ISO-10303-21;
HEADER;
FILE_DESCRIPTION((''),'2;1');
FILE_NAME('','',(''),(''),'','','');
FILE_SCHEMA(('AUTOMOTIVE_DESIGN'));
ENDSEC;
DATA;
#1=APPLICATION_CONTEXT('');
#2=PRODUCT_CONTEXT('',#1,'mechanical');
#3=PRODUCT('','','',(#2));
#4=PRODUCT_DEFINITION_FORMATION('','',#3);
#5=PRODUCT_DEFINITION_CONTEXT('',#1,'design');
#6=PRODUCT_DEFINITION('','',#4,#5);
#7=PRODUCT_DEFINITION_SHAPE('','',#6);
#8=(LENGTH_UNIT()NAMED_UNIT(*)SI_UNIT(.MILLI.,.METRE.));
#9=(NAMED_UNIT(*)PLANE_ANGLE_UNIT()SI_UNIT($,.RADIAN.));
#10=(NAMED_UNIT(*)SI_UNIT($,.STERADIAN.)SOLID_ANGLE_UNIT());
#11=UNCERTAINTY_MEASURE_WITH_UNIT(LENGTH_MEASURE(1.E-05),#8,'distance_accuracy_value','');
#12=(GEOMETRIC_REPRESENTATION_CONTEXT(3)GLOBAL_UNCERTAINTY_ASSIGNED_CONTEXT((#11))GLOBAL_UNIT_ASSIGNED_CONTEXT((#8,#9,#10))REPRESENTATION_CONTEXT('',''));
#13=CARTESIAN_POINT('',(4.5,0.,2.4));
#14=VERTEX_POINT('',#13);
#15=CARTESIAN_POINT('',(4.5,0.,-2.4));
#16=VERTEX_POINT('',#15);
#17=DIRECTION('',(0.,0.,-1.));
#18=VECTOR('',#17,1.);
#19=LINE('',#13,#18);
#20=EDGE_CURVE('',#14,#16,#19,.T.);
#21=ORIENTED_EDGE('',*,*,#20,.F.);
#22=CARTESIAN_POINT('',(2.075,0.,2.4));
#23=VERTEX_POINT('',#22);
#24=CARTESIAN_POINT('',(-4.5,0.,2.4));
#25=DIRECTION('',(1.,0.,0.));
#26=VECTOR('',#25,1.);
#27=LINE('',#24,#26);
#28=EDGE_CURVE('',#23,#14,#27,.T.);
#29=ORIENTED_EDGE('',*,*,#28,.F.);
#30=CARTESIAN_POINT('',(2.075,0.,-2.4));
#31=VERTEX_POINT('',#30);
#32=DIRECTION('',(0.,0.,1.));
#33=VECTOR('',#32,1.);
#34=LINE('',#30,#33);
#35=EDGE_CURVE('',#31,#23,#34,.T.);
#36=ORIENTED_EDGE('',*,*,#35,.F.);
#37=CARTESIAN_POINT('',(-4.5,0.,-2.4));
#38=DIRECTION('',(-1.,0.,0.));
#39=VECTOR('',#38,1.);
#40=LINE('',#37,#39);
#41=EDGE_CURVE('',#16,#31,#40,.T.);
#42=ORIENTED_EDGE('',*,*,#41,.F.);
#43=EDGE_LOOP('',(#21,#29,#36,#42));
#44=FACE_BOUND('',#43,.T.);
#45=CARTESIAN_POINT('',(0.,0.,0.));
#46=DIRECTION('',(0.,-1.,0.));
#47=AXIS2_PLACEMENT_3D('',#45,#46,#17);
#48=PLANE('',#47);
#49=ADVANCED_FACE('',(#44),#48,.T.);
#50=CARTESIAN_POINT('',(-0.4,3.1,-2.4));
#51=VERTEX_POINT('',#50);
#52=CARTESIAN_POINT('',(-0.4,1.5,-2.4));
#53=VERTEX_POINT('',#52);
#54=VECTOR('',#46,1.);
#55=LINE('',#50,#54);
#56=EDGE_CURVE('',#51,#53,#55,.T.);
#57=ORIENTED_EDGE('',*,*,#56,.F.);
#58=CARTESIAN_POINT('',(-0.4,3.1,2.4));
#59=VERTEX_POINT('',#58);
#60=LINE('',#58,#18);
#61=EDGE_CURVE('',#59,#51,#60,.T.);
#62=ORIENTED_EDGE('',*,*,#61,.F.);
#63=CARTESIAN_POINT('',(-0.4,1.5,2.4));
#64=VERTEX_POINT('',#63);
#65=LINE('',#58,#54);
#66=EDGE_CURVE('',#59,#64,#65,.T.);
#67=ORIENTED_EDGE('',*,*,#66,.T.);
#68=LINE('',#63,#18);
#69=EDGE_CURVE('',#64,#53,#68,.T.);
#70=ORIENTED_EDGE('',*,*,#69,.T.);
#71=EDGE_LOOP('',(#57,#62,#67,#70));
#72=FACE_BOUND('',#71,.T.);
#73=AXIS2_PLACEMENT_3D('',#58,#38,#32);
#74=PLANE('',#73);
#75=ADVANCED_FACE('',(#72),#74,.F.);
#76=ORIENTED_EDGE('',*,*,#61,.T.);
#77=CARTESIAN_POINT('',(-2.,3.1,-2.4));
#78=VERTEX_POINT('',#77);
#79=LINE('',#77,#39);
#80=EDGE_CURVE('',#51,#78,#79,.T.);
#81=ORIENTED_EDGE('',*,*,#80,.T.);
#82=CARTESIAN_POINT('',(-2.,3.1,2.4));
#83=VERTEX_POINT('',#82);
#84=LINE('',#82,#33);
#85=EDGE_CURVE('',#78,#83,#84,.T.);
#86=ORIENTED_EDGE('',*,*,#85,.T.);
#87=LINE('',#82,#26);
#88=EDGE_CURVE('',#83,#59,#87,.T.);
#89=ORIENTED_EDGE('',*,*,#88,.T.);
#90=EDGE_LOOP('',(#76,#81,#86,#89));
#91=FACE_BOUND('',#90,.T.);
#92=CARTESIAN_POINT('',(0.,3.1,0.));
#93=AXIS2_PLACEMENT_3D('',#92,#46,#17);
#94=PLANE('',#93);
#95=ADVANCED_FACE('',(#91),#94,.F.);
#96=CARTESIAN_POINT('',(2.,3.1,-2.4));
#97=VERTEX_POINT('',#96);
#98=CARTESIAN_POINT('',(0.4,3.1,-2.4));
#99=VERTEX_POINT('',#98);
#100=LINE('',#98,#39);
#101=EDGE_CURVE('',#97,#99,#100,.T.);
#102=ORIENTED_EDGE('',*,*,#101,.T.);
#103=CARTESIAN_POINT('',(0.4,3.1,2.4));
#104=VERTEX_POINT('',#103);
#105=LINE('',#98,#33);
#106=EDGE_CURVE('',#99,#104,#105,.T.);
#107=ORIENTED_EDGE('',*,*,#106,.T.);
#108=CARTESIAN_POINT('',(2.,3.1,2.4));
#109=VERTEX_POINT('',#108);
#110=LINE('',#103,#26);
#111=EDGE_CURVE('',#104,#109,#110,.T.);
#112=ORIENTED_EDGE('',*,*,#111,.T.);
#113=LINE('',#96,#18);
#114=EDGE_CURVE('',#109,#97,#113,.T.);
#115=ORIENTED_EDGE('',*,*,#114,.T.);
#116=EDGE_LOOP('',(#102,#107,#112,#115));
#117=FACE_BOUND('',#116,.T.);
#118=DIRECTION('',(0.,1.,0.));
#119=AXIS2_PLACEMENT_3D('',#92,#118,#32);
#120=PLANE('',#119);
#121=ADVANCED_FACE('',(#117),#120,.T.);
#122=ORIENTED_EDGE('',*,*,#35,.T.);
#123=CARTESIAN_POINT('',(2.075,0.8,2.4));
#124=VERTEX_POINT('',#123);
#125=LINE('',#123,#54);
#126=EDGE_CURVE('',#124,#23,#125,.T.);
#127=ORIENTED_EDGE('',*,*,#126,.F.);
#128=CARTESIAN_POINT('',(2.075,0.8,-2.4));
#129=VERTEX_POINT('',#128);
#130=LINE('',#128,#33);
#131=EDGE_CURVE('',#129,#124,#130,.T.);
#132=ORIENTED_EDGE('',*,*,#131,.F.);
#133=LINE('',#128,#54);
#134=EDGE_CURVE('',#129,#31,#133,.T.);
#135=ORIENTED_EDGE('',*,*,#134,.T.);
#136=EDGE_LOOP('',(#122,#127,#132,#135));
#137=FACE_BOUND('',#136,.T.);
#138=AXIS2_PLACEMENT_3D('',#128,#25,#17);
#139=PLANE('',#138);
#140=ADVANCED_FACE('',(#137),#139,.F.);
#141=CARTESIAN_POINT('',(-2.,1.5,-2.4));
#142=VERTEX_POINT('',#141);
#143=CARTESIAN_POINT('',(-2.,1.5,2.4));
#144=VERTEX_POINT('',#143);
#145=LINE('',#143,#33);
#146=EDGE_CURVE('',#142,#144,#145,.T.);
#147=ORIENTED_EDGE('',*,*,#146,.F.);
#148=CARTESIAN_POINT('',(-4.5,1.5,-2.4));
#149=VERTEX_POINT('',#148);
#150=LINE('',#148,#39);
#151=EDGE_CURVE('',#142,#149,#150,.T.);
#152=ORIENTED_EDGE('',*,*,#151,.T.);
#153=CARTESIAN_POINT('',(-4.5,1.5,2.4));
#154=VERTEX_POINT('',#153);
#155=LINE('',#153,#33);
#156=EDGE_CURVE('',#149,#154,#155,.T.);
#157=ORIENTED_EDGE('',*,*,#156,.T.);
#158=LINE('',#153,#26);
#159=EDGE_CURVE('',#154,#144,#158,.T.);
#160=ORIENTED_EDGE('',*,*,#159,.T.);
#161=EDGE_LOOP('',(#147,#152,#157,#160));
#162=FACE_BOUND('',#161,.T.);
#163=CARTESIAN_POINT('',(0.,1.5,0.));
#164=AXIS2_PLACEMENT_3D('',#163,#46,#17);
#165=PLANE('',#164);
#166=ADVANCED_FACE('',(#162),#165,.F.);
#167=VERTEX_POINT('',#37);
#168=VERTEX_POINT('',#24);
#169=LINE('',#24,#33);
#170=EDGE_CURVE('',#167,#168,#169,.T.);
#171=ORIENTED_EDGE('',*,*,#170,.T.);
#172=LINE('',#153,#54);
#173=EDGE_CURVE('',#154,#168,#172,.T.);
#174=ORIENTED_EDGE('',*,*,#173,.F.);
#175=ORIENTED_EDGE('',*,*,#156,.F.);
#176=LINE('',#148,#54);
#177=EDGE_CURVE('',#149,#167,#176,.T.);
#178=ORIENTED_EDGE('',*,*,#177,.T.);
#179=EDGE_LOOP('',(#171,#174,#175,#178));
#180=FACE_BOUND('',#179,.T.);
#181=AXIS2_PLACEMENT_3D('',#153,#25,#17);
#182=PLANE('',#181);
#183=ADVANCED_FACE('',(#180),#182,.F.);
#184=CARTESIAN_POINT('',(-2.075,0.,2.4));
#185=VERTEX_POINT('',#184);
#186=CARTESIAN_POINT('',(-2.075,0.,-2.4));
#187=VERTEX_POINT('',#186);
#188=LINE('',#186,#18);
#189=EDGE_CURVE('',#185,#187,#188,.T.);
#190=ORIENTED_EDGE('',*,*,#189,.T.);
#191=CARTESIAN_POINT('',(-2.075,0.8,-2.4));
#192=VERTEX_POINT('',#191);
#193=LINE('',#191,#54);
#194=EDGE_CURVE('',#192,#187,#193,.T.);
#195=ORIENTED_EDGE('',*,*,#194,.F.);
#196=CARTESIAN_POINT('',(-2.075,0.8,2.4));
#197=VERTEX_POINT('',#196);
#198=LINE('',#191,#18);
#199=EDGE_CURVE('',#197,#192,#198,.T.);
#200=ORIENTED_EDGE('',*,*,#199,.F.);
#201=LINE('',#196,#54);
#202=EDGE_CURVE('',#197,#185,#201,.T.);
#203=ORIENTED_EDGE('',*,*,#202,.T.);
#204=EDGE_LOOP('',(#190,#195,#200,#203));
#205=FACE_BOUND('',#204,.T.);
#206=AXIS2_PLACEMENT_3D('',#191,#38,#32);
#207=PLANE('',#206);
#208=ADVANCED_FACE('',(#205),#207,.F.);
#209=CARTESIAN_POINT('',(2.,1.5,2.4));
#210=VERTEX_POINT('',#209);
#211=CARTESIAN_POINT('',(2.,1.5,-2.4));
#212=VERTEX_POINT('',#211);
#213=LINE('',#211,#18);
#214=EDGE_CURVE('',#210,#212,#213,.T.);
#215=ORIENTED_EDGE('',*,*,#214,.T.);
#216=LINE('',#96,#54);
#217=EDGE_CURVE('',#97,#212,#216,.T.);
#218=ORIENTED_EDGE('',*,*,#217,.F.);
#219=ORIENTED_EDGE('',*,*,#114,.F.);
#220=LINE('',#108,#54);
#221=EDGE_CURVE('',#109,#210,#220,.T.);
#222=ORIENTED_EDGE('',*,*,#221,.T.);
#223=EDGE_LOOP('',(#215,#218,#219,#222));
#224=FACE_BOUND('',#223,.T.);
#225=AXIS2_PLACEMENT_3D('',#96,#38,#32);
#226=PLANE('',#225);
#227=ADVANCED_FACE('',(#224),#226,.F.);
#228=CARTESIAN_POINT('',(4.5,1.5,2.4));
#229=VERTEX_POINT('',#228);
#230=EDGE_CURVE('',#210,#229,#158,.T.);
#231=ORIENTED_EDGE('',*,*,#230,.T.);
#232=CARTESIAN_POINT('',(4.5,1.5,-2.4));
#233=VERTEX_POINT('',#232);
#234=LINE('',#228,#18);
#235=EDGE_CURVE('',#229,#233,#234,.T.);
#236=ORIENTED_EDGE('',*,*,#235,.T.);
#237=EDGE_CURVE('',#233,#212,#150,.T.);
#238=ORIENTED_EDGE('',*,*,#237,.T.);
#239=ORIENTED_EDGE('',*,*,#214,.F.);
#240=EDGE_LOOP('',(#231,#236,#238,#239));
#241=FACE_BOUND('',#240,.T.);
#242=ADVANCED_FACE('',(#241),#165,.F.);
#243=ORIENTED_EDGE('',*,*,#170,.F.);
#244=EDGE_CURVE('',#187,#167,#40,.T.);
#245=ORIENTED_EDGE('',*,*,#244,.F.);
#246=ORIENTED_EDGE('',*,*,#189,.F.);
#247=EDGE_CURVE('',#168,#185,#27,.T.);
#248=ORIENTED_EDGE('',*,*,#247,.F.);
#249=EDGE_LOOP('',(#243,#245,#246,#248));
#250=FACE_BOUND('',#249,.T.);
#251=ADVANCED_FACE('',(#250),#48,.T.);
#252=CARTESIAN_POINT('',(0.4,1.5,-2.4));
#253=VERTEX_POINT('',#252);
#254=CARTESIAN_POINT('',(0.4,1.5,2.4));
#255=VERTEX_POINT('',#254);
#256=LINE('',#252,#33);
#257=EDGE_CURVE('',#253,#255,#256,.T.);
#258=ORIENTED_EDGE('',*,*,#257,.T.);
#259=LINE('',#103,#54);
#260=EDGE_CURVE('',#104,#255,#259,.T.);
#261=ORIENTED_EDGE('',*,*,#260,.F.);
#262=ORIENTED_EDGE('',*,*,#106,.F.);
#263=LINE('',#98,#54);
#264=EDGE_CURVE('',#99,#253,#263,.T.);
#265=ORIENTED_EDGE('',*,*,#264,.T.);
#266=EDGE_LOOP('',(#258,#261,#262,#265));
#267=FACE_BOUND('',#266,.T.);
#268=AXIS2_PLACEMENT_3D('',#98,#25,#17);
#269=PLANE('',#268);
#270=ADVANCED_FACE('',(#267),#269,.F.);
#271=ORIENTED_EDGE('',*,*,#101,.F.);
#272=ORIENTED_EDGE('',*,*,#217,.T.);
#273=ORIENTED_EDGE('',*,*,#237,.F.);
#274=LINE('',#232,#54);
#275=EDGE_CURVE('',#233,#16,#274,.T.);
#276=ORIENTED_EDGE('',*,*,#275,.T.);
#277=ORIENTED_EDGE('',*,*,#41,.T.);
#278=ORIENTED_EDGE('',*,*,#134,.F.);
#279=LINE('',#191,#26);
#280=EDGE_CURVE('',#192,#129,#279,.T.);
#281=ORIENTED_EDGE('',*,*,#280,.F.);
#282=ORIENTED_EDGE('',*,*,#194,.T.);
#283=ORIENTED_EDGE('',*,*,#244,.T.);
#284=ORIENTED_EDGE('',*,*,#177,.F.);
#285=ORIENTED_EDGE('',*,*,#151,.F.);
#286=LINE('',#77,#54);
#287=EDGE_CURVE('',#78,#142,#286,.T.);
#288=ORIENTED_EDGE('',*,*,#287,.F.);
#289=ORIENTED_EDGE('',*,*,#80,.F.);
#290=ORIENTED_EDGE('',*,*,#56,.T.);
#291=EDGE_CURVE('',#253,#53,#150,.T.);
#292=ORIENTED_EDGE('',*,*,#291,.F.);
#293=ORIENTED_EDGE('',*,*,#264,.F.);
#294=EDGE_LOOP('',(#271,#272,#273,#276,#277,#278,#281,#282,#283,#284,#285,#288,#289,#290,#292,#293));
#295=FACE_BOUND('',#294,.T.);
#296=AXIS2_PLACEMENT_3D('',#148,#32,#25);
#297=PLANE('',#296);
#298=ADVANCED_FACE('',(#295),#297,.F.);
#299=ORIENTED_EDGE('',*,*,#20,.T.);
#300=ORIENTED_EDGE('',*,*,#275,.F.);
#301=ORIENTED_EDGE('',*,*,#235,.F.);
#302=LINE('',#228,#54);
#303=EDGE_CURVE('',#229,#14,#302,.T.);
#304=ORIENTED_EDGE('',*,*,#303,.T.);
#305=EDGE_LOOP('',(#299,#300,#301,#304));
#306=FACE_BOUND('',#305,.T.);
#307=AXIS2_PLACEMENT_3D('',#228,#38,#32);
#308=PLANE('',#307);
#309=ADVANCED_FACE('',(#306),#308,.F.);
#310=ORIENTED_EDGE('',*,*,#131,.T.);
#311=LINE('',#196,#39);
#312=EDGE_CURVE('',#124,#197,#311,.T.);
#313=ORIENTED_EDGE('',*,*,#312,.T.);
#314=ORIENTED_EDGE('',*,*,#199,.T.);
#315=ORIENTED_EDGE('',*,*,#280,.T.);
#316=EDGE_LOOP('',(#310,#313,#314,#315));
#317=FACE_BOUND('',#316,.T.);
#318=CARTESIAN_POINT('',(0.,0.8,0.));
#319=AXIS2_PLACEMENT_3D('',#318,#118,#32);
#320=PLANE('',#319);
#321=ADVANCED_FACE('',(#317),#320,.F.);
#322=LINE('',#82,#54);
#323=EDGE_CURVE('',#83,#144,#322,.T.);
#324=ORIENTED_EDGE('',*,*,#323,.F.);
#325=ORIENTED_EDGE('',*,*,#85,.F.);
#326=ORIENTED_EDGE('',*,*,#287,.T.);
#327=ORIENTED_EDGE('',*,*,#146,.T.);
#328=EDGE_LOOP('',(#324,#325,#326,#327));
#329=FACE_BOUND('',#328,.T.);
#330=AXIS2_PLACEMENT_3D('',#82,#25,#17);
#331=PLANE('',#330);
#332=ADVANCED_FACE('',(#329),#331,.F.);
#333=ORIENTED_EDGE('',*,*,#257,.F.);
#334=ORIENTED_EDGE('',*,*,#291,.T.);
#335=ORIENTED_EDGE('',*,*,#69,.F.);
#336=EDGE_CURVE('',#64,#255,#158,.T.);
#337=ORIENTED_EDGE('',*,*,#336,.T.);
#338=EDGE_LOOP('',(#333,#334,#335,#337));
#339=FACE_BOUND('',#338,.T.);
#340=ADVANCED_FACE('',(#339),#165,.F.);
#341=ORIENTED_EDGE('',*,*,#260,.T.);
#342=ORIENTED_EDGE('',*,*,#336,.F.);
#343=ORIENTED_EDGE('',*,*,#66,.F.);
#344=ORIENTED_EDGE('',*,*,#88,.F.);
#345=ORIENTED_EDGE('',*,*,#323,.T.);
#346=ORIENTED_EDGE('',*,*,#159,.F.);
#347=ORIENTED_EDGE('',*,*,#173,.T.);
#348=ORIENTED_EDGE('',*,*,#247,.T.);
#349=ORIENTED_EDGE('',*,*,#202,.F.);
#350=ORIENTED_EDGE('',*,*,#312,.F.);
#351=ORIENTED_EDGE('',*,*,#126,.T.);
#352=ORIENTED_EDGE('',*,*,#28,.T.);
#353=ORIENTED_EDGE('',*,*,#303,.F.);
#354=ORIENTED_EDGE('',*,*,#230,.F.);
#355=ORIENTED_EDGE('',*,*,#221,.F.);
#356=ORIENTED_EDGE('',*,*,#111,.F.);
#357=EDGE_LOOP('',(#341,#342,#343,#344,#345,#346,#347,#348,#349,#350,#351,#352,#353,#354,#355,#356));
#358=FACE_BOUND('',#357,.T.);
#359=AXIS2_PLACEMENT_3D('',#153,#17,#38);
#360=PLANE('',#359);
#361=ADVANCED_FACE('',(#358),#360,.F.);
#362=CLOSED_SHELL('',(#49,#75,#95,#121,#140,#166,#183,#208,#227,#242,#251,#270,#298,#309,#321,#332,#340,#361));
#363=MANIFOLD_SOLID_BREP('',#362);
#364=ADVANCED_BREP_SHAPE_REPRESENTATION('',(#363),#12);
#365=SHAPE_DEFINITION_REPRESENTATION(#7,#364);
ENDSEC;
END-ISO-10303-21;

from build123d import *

# Parameters (mm, degrees)
SKETCH1_W           = 9
SKETCH1_H           = 4.8
BOSS_EXTRUDE1_DEPTH = 1.5
SKETCH2_W           = 4.15
SKETCH2_H           = 4.8
CUT_EXTRUDE1_DEPTH  = 0.8
SKETCH3_W           = 1.6
SKETCH3_H           = 4.8
BOSS_EXTRUDE2_DEPTH = 1.6


with BuildPart() as part:
    # Sketch1 → Boss-Extrude1 (new body)
    with BuildSketch(Plane(origin=(0, 0, 0), x_dir=(1, 0, 0), z_dir=(0, 1, 0))):
        Rectangle(SKETCH1_W, SKETCH1_H)
    extrude(amount=BOSS_EXTRUDE1_DEPTH)

    # Sketch2 → Cut-Extrude1 (cut)
    with BuildSketch(Plane(origin=(0, 0, 0), x_dir=(-1, 0, 0), z_dir=(0, -1, 0))):
        Rectangle(SKETCH2_W, SKETCH2_H)
    extrude(amount=-CUT_EXTRUDE1_DEPTH, mode=Mode.SUBTRACT)

    # Sketch3 → Boss-Extrude2 (add)
    with BuildSketch(Plane(origin=(0, 1.5, 0), x_dir=(1, 0, 0), z_dir=(0, 1, 0))):
        with Locations((1.2, 0)):
            Rectangle(SKETCH3_W, SKETCH3_H)
        with Locations((-1.2, 0)):
            Rectangle(SKETCH3_W, SKETCH3_H)
    extrude(amount=BOSS_EXTRUDE2_DEPTH)


solid = part.part
